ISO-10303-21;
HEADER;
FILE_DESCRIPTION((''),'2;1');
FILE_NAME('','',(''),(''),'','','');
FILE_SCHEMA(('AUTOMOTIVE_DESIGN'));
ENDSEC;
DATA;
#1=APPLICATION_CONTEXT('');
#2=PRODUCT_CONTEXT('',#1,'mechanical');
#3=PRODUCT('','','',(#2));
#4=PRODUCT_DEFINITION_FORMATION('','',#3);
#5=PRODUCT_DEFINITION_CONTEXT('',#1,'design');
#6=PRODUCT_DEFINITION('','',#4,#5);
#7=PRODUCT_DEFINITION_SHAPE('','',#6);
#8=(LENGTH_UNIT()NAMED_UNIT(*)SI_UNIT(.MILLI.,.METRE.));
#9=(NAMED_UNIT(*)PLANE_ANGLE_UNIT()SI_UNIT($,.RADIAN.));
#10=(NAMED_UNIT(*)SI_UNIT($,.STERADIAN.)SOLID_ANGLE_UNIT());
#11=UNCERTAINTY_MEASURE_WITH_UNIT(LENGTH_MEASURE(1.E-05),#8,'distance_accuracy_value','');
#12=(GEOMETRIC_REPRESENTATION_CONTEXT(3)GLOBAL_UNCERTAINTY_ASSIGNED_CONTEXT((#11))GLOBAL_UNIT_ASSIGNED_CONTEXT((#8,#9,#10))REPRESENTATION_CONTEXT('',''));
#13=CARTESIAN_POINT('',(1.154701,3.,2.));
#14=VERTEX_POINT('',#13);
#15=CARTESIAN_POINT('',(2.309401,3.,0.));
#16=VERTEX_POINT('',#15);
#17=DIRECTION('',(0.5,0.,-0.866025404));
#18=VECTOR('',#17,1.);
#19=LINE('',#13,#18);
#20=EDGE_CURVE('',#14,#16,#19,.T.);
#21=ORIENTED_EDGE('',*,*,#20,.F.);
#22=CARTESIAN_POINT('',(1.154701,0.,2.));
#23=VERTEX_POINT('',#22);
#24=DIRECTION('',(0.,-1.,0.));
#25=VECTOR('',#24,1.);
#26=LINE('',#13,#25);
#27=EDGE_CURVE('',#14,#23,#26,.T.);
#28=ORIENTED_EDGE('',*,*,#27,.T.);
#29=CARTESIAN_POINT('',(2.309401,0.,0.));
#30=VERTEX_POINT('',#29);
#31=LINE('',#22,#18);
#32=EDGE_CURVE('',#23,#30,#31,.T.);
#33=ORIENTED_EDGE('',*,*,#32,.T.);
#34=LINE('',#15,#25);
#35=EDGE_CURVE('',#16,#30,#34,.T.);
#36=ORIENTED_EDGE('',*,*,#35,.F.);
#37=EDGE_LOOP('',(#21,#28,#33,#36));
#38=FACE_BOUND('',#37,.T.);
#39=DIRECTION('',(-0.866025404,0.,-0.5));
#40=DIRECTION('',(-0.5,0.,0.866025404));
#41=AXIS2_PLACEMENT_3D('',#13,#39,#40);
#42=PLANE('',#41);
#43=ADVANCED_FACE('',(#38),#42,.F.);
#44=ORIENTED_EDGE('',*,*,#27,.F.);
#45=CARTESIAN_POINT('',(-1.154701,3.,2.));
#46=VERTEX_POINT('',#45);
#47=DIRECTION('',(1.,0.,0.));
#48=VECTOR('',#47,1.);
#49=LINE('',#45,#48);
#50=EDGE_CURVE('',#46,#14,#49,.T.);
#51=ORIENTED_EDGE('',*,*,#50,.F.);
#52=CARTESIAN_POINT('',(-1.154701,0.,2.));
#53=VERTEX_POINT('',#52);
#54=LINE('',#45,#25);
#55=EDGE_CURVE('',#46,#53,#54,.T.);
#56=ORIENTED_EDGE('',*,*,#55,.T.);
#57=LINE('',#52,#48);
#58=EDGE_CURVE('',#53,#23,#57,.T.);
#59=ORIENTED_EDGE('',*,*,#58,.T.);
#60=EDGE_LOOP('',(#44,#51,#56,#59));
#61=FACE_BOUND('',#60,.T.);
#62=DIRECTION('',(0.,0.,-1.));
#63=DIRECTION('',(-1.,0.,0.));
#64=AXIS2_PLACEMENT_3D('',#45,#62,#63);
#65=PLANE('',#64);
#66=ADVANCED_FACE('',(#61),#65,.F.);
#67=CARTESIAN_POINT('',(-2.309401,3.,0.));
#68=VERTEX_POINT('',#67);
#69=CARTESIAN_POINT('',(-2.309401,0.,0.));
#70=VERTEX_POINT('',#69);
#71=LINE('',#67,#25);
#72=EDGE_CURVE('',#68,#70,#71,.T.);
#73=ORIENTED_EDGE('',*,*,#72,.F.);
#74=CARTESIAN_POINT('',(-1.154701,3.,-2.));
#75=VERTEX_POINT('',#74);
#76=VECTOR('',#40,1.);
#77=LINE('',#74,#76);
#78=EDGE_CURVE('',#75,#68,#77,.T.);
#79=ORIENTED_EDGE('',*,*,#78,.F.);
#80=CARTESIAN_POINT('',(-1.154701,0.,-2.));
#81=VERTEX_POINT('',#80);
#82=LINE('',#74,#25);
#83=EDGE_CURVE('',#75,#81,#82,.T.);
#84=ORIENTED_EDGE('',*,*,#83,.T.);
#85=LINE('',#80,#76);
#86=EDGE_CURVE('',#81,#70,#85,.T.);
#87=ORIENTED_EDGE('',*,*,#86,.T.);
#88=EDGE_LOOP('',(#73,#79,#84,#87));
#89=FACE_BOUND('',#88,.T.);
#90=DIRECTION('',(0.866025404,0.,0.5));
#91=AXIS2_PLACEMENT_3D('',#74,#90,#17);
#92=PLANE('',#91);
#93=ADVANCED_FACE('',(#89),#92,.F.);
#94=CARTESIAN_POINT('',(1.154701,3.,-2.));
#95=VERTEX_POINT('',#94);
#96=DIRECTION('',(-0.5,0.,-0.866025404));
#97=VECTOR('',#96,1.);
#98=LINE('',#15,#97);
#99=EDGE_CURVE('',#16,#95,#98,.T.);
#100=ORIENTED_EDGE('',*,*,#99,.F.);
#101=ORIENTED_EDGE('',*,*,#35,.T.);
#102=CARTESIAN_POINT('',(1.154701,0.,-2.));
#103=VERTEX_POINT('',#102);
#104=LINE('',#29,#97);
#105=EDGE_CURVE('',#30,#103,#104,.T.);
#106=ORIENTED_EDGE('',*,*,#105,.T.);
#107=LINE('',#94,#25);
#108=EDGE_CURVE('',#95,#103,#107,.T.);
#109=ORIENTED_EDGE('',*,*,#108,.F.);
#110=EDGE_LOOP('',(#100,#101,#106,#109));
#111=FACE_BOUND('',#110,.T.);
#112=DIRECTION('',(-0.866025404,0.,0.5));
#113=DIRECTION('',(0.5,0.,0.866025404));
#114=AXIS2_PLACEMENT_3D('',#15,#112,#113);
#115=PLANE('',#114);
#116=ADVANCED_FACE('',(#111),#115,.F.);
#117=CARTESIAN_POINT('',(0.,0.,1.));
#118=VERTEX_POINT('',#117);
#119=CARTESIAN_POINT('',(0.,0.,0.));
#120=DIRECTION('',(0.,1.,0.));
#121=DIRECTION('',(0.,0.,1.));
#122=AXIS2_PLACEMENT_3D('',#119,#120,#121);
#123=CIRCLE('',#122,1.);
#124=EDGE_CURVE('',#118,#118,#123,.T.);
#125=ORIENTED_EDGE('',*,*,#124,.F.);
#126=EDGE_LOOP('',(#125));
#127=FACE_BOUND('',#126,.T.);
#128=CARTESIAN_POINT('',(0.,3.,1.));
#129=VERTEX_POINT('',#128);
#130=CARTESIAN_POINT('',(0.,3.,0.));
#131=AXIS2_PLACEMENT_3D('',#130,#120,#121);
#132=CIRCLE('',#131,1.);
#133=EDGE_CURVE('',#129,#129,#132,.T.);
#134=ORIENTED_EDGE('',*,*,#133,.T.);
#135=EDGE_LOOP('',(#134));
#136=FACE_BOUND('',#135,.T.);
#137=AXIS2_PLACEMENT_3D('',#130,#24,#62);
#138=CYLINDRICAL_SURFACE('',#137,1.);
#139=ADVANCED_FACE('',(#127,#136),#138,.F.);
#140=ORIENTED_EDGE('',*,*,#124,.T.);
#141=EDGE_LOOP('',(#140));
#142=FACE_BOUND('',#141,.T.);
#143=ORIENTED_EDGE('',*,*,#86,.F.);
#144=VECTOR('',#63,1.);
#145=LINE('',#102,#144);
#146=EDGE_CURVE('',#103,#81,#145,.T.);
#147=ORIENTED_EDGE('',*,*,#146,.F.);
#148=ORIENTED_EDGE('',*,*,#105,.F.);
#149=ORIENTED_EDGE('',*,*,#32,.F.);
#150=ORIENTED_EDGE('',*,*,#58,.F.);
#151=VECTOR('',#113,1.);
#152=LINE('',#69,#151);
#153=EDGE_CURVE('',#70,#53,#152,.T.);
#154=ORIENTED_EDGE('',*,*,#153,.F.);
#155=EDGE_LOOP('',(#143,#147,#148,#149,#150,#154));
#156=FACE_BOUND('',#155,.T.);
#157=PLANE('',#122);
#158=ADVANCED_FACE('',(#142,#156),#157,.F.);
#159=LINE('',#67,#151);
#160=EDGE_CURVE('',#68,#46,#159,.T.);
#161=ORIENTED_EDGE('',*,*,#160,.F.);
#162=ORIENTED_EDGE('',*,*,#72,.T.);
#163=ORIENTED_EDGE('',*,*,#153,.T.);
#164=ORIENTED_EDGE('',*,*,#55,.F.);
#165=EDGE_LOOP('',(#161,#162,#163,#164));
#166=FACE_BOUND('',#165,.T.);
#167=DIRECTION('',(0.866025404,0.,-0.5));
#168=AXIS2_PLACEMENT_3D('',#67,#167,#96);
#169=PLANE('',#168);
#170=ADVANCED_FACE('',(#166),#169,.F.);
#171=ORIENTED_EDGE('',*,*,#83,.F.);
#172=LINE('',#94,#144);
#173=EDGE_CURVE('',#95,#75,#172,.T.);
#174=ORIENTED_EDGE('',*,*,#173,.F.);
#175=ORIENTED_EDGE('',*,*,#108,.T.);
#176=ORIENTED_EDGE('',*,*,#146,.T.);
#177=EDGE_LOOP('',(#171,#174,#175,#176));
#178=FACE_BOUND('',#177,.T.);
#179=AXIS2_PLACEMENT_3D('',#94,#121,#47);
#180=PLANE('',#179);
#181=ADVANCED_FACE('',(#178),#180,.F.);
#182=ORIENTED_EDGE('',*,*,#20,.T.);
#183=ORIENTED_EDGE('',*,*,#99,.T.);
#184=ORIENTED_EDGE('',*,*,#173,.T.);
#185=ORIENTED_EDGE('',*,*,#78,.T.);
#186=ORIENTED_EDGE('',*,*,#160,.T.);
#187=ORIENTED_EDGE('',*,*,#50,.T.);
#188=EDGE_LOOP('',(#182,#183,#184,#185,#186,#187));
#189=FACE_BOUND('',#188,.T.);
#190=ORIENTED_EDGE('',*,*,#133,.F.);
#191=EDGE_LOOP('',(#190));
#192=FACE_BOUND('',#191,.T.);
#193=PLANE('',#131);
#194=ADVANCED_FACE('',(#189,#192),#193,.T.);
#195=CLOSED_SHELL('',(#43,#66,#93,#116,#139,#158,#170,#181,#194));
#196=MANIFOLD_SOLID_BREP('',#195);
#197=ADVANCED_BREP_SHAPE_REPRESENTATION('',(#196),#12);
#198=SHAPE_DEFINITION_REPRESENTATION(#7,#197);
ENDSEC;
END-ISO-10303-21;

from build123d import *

# Parameters (mm, degrees)
SKETCH_1_R      = 1
EXTRUDE_1_DEPTH = 3


with BuildPart() as part:
    # 草图1 → 凸台-拉伸1 (new body)
    with BuildSketch(Plane(origin=(0, 0, 0), x_dir=(1, 0, 0), z_dir=(0, 1, 0))):
        Polygon((2.309401077, 0), (1.154700538, 2), (-1.154700538, 2), (-2.309401077, 0), (-1.154700538, -2), (1.154700538, -2), align=None)
        Circle(SKETCH_1_R, mode=Mode.SUBTRACT)
    extrude(amount=EXTRUDE_1_DEPTH)


solid = part.part
